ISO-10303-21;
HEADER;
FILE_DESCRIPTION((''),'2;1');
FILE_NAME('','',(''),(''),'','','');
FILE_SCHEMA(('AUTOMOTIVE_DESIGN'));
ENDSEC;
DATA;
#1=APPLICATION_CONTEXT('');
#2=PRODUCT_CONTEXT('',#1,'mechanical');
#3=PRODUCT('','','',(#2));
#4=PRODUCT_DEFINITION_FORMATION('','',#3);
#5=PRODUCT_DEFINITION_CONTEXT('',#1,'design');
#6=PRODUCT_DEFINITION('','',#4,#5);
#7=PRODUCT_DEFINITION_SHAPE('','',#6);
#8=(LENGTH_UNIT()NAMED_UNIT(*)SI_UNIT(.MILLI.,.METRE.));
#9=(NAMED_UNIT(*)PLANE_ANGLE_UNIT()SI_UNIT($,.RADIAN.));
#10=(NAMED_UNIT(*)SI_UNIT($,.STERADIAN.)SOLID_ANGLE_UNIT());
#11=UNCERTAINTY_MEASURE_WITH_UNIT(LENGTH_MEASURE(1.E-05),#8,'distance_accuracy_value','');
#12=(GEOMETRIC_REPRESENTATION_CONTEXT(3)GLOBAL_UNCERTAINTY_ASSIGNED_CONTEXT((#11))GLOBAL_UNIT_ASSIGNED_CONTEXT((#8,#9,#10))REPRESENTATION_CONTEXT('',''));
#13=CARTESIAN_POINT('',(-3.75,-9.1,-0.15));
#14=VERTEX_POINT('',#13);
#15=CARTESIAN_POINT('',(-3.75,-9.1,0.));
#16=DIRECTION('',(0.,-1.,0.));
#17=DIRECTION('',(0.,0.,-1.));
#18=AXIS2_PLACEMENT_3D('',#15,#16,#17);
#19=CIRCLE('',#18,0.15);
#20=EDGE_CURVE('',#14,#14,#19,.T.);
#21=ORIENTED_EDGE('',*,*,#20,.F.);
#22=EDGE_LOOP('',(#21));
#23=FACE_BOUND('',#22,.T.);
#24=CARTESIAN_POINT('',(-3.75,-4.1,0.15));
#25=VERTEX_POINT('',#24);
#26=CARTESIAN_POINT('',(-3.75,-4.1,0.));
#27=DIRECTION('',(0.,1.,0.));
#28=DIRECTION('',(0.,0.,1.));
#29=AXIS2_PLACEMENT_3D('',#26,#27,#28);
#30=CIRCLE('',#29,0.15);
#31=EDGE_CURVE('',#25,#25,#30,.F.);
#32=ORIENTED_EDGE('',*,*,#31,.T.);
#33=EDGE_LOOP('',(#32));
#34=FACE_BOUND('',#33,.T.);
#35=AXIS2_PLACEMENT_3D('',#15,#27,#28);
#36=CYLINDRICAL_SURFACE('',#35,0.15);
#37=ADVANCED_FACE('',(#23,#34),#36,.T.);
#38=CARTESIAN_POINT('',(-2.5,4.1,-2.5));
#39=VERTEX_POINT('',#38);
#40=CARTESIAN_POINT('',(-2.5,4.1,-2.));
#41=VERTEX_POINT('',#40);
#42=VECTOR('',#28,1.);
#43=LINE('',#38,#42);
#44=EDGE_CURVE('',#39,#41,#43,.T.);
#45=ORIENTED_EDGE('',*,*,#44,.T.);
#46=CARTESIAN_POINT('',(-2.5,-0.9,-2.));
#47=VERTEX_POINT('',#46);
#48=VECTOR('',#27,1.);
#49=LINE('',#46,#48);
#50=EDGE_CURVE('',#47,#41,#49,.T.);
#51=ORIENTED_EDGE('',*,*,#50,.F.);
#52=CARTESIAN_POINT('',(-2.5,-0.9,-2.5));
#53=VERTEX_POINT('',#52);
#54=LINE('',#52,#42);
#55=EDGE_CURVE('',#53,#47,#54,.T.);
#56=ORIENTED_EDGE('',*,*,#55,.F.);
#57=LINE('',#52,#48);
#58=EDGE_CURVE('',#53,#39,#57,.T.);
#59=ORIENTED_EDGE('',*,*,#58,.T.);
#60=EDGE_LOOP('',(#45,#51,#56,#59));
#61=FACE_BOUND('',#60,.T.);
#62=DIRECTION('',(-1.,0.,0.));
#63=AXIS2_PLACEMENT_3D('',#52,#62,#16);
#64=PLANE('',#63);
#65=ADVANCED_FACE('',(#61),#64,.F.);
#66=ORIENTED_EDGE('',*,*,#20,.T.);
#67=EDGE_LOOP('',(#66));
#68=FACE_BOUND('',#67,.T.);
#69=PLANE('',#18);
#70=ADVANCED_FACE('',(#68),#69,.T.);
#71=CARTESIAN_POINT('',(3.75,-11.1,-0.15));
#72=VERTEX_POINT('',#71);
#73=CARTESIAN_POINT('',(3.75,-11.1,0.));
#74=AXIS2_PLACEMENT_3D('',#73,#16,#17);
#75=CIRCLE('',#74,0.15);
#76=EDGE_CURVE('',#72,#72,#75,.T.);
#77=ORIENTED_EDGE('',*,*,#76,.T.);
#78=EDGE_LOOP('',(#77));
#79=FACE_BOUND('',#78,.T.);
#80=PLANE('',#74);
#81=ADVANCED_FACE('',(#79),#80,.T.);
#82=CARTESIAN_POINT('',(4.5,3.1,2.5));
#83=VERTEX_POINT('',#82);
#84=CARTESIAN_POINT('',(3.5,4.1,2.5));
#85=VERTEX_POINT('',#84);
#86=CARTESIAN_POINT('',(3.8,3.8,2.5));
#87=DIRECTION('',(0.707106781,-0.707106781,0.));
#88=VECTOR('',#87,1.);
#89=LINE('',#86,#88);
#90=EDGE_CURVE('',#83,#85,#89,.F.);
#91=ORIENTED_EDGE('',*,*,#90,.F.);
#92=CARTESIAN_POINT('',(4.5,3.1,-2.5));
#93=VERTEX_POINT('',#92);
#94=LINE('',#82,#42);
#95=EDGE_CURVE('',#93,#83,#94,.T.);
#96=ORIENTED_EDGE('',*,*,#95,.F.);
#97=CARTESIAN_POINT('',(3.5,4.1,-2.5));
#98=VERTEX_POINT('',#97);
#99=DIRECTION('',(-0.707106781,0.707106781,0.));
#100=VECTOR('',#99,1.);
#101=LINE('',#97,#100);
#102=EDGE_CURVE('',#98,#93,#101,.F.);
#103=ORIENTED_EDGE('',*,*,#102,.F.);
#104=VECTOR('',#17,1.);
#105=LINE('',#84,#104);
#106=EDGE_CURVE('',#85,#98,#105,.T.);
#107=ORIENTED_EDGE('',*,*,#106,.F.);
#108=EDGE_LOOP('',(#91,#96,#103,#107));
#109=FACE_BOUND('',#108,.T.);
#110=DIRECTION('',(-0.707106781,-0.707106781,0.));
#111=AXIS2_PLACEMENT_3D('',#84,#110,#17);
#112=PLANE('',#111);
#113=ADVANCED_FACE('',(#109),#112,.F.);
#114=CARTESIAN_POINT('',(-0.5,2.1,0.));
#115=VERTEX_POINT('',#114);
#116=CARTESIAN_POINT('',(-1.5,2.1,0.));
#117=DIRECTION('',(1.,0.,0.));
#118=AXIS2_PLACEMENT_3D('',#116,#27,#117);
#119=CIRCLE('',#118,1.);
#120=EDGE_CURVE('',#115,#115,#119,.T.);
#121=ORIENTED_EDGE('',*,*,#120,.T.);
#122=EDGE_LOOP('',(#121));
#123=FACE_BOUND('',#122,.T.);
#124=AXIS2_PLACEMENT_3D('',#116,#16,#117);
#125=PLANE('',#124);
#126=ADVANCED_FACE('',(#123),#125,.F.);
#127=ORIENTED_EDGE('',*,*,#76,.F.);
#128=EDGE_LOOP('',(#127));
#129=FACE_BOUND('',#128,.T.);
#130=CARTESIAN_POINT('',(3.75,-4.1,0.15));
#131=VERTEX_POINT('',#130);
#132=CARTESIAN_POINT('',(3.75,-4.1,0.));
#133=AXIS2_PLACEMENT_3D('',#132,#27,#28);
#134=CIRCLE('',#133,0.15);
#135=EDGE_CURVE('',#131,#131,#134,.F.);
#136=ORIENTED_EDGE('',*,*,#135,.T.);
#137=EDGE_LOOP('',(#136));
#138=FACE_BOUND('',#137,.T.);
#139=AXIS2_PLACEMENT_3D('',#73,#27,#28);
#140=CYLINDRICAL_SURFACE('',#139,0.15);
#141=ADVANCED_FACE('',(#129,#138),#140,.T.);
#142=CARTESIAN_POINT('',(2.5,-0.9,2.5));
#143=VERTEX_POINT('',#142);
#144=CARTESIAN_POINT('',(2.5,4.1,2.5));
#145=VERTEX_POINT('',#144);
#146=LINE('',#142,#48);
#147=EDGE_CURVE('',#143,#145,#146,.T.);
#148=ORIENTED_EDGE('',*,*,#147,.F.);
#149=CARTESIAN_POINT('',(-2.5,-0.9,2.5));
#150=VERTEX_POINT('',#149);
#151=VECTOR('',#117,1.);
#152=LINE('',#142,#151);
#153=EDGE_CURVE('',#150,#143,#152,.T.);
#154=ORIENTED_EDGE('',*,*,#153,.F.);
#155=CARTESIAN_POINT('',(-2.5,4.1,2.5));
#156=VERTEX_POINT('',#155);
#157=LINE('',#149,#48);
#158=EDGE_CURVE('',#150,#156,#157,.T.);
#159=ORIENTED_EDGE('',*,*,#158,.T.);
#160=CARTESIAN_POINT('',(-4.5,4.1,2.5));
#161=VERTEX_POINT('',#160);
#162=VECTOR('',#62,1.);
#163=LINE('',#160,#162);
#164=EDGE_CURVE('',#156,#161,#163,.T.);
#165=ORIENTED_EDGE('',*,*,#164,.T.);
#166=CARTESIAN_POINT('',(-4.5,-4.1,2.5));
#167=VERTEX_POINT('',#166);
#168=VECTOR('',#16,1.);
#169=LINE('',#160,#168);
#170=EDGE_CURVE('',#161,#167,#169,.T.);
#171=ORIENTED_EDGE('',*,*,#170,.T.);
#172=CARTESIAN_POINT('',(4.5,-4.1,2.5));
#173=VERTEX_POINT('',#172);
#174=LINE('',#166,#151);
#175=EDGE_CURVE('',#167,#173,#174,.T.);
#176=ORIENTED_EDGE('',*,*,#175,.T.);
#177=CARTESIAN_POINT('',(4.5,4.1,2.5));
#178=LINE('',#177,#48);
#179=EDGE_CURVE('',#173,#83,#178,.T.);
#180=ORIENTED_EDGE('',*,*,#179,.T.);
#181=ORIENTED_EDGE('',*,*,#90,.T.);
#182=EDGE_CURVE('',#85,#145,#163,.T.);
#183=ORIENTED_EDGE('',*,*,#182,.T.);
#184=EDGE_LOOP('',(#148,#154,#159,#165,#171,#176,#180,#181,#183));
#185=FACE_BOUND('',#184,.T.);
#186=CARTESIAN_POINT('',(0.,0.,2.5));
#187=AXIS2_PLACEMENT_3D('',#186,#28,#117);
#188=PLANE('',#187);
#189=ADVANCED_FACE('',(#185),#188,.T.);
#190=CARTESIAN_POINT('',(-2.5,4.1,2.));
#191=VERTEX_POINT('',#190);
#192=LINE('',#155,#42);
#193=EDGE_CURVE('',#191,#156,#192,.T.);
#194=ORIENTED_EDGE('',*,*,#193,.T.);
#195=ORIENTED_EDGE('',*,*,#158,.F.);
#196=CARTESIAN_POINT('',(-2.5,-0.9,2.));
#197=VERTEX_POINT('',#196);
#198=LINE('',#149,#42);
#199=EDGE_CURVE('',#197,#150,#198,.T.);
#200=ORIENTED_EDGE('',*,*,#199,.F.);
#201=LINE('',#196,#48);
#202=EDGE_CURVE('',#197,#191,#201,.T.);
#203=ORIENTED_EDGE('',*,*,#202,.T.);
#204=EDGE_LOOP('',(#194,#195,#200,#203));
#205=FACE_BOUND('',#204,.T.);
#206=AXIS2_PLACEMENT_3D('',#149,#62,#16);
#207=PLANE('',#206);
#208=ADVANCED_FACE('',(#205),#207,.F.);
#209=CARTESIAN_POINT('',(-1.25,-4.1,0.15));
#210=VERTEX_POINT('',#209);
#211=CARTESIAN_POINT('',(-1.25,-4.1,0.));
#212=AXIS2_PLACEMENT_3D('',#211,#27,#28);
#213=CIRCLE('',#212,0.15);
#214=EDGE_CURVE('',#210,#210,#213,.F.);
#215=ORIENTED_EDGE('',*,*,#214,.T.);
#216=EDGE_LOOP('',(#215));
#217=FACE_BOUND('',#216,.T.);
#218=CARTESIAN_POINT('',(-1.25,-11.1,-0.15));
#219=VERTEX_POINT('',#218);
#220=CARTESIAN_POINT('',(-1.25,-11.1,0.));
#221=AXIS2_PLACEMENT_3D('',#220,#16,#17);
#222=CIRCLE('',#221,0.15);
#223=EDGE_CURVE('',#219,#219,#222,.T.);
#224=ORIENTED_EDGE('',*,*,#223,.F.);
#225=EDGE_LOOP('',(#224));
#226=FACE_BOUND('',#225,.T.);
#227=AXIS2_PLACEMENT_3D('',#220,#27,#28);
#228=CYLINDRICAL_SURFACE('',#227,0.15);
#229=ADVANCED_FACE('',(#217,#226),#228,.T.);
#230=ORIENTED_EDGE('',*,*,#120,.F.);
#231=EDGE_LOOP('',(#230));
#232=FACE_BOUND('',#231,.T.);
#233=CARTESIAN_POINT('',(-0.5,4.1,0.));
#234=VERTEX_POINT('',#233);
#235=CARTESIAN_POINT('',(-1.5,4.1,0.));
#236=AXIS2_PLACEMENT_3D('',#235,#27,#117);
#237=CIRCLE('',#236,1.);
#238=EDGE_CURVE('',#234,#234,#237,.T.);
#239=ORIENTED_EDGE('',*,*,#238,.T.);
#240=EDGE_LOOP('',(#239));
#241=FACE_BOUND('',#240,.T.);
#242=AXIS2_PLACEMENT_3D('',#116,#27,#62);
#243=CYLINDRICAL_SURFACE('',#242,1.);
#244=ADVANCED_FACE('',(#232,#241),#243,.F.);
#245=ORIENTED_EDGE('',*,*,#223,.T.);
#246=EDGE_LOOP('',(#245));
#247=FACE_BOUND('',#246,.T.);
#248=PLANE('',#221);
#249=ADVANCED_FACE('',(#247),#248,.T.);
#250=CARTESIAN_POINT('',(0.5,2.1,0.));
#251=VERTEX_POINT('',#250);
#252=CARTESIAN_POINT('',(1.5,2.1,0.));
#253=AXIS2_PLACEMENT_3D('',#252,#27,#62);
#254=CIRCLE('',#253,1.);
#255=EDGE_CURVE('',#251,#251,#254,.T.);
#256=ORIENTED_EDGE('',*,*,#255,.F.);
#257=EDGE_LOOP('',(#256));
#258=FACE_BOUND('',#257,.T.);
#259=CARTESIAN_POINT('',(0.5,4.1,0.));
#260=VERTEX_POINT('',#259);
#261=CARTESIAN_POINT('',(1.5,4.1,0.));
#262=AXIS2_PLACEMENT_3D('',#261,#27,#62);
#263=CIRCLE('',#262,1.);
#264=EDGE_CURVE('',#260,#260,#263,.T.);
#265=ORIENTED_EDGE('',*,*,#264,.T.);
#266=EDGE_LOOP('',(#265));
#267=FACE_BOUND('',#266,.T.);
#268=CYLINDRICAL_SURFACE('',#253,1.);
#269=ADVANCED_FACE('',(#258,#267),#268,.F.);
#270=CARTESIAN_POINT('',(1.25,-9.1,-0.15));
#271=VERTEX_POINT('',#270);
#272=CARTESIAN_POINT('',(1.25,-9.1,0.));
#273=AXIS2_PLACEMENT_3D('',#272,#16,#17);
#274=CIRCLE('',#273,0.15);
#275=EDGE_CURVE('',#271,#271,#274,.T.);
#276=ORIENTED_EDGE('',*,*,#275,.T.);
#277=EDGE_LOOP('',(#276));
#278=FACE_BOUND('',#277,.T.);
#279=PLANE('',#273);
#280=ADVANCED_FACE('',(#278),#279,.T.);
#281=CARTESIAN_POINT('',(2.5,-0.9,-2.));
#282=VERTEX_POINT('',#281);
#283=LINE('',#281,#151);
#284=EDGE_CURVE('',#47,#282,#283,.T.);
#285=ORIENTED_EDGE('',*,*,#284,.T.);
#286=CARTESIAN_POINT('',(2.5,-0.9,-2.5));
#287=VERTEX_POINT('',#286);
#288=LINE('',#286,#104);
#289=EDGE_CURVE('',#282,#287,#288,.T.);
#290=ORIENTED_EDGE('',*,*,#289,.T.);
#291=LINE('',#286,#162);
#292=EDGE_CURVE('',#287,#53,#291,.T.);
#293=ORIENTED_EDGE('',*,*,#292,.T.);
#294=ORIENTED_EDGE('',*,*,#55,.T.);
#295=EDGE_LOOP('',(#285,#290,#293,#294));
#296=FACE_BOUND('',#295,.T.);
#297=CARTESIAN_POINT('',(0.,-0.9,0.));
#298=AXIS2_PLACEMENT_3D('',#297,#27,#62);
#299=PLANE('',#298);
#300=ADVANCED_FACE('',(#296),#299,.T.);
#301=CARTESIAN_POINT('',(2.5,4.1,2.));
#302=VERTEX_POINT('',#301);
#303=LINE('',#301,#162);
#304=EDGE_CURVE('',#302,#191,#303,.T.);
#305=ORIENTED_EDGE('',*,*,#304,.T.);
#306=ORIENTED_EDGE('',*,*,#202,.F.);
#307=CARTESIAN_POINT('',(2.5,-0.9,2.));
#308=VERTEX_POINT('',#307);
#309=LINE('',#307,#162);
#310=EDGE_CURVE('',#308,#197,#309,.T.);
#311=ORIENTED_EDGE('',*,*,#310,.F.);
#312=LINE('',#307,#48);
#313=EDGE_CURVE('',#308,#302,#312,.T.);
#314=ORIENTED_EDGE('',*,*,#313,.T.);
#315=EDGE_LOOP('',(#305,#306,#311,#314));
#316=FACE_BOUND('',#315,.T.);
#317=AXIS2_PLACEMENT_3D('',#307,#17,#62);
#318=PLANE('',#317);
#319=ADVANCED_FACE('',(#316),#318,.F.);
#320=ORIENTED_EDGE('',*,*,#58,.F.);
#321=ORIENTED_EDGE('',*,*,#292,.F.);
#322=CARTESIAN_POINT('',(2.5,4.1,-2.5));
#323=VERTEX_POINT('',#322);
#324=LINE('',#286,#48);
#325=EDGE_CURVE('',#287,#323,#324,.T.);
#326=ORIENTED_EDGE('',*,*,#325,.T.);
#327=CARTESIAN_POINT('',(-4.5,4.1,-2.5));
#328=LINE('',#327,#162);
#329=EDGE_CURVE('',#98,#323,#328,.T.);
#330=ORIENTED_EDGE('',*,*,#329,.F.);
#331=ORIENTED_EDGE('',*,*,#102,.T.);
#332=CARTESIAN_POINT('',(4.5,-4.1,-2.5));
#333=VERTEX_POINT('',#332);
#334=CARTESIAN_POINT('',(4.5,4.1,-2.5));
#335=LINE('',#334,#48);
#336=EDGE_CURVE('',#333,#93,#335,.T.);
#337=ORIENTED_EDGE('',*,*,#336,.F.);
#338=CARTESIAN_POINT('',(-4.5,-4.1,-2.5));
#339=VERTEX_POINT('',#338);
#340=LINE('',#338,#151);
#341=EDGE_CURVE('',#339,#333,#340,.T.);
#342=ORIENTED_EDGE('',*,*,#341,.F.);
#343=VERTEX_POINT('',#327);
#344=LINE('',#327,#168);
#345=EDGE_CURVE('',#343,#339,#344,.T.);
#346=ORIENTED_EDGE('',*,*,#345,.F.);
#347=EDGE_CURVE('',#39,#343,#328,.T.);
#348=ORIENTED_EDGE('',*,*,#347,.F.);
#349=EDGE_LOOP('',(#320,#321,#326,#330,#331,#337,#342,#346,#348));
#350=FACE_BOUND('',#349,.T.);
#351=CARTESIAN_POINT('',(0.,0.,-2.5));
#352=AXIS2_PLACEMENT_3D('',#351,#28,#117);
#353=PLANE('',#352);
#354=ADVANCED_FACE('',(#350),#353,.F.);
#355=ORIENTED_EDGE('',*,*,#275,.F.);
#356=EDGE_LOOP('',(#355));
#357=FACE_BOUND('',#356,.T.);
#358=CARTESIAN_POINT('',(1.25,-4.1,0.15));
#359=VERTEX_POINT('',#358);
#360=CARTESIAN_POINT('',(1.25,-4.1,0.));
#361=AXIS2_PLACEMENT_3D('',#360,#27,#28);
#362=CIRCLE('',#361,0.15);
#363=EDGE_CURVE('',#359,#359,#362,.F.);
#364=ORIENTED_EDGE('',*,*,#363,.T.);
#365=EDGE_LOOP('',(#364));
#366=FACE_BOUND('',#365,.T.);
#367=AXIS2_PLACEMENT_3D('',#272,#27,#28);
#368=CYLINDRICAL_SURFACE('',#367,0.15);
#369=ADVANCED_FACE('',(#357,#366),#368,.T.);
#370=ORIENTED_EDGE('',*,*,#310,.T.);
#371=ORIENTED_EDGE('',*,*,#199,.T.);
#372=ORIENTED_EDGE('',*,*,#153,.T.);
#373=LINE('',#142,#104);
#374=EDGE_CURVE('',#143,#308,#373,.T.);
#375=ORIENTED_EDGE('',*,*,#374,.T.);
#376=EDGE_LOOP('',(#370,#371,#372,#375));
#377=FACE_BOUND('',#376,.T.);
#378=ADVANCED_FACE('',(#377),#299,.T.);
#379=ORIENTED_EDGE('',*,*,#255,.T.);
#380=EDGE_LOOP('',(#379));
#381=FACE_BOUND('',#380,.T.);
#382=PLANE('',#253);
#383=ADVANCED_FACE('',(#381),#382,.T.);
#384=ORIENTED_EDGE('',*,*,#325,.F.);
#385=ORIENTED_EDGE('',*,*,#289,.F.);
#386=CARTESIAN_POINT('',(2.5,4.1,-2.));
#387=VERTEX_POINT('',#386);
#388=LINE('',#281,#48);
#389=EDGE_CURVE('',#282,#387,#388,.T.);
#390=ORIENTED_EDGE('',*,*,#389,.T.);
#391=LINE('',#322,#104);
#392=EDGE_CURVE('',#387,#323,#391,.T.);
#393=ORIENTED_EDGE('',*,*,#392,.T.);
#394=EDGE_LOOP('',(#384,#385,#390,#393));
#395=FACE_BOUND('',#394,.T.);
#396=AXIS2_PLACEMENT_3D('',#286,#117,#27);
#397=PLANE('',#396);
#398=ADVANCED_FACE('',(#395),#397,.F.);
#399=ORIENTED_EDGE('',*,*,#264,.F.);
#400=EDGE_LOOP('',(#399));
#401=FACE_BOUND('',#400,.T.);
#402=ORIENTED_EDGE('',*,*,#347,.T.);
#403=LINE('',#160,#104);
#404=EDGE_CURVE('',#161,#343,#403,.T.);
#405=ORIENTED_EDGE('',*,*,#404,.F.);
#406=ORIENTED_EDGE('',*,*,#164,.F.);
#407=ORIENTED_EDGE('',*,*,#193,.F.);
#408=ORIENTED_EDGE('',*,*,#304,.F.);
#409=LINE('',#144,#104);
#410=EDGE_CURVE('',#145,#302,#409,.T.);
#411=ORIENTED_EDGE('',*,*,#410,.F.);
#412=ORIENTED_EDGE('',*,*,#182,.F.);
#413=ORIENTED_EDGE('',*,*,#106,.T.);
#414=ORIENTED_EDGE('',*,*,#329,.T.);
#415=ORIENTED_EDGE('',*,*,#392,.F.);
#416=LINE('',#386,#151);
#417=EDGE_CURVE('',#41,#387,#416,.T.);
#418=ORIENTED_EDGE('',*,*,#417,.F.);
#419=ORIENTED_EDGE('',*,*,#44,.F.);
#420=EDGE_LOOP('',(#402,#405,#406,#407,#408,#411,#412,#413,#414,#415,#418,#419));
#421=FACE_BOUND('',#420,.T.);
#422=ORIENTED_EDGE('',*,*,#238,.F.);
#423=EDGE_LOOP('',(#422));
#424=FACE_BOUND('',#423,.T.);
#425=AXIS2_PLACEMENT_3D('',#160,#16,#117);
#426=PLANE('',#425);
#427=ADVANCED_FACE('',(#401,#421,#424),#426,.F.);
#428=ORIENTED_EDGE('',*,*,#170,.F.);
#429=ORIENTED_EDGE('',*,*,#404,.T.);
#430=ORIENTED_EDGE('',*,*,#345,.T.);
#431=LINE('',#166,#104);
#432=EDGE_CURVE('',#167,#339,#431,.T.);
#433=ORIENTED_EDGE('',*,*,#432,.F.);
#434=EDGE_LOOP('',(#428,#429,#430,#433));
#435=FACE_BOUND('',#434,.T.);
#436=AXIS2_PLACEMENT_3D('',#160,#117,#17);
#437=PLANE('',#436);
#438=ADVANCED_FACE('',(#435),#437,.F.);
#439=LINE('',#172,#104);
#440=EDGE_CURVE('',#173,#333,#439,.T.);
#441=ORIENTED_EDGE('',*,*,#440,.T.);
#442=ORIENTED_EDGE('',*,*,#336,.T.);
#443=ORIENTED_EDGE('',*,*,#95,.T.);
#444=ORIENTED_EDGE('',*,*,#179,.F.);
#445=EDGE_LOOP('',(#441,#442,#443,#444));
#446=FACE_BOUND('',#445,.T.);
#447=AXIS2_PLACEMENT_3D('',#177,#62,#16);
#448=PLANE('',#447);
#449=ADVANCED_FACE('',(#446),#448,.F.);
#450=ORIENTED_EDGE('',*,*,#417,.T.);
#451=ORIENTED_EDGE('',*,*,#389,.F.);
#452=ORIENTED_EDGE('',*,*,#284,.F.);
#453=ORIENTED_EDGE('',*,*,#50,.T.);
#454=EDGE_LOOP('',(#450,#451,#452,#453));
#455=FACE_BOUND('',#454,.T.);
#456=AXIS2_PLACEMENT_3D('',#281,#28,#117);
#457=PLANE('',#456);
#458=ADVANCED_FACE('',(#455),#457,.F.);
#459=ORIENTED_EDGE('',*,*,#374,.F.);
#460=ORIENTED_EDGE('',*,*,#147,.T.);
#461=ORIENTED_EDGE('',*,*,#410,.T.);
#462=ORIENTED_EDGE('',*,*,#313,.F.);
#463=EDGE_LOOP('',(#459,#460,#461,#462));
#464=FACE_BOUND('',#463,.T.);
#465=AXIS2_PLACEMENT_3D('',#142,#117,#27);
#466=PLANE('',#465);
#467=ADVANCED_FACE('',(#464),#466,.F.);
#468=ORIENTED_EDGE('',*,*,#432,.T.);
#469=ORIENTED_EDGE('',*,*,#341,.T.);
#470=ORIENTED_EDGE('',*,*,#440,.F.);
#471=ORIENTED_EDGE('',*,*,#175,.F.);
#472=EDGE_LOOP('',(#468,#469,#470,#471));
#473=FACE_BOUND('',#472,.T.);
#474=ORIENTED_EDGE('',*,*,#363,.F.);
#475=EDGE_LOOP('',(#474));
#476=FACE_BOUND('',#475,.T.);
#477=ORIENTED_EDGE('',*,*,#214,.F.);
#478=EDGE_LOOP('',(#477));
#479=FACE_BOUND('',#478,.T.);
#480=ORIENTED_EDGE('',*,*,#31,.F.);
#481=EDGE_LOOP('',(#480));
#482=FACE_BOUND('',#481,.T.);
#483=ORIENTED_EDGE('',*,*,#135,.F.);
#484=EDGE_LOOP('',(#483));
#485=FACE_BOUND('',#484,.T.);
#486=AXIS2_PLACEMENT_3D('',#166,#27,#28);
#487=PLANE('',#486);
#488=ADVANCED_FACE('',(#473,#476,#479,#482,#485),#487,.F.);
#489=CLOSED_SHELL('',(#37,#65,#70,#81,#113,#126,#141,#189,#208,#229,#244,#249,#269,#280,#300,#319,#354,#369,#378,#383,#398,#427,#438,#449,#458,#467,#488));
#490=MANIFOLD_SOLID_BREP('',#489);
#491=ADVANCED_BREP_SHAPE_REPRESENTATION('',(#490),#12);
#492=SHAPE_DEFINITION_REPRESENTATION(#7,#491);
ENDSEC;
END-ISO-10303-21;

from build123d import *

# Parameters (mm, degrees)
SKETCH1_W           = 9
SKETCH1_H           = 8.2
BOSS_EXTRUDE1_DEPTH = 2.5
CHAMFER1_SIZE       = 1
SKETCH2_W           = 5
SKETCH2_H           = 0.5
CUT_EXTRUDE1_DEPTH  = 5
SKETCH3_R           = 1
CUT_EXTRUDE2_DEPTH  = 2
SKETCH4_R           = 0.15
BOSS_EXTRUDE2_DEPTH = 5
SKETCH5_R           = 0.15
BOSS_EXTRUDE3_DEPTH = 7


with BuildPart() as part:
    # Sketch1 → Boss-Extrude1 (new body, symmetric)
    with BuildSketch(Plane.XY):
        Rectangle(SKETCH1_W, SKETCH1_H)
    extrude(amount=BOSS_EXTRUDE1_DEPTH, both=True)

    # Chamfer1
    chamfer1_edges = [part.edges().sort_by_distance(p)[0] for p in [
        (4.5, 4.1, 0),
    ]]
    chamfer(chamfer1_edges, length=CHAMFER1_SIZE)

    # Sketch2 → Cut-Extrude1 (cut)
    with BuildSketch(Plane(origin=(0, 4.1, 0), x_dir=(1, 0, 0), z_dir=(0, 1, 0))):
        with Locations((0, -2.25)):
            Rectangle(SKETCH2_W, SKETCH2_H)
        with Locations((0, 2.25)):
            Rectangle(SKETCH2_W, SKETCH2_H)
    extrude(amount=-CUT_EXTRUDE1_DEPTH, mode=Mode.SUBTRACT)

    # Sketch3 → Cut-Extrude2 (cut)
    with BuildSketch(Plane(origin=(0, 4.1, 0), x_dir=(1, 0, 0), z_dir=(0, 1, 0))):
        with Locations((1.5, 0)):
            Circle(SKETCH3_R)
        with Locations((-1.5, 0)):
            Circle(SKETCH3_R)
    extrude(amount=-CUT_EXTRUDE2_DEPTH, mode=Mode.SUBTRACT)

    # Sketch4 → Boss-Extrude2 (add)
    with BuildSketch(Plane.XZ.offset(4.1)):
        with Locations((1.25, 0)):
            Circle(SKETCH4_R)
        with Locations((-3.75, 0)):
            Circle(SKETCH4_R)
    extrude(amount=BOSS_EXTRUDE2_DEPTH)

    # Sketch5 → Boss-Extrude3 (add)
    with BuildSketch(Plane.XZ.offset(4.1)):
        with Locations((-1.25, 0)):
            Circle(SKETCH5_R)
        with Locations((3.75, 0)):
            Circle(SKETCH5_R)
    extrude(amount=BOSS_EXTRUDE3_DEPTH)


solid = part.part
